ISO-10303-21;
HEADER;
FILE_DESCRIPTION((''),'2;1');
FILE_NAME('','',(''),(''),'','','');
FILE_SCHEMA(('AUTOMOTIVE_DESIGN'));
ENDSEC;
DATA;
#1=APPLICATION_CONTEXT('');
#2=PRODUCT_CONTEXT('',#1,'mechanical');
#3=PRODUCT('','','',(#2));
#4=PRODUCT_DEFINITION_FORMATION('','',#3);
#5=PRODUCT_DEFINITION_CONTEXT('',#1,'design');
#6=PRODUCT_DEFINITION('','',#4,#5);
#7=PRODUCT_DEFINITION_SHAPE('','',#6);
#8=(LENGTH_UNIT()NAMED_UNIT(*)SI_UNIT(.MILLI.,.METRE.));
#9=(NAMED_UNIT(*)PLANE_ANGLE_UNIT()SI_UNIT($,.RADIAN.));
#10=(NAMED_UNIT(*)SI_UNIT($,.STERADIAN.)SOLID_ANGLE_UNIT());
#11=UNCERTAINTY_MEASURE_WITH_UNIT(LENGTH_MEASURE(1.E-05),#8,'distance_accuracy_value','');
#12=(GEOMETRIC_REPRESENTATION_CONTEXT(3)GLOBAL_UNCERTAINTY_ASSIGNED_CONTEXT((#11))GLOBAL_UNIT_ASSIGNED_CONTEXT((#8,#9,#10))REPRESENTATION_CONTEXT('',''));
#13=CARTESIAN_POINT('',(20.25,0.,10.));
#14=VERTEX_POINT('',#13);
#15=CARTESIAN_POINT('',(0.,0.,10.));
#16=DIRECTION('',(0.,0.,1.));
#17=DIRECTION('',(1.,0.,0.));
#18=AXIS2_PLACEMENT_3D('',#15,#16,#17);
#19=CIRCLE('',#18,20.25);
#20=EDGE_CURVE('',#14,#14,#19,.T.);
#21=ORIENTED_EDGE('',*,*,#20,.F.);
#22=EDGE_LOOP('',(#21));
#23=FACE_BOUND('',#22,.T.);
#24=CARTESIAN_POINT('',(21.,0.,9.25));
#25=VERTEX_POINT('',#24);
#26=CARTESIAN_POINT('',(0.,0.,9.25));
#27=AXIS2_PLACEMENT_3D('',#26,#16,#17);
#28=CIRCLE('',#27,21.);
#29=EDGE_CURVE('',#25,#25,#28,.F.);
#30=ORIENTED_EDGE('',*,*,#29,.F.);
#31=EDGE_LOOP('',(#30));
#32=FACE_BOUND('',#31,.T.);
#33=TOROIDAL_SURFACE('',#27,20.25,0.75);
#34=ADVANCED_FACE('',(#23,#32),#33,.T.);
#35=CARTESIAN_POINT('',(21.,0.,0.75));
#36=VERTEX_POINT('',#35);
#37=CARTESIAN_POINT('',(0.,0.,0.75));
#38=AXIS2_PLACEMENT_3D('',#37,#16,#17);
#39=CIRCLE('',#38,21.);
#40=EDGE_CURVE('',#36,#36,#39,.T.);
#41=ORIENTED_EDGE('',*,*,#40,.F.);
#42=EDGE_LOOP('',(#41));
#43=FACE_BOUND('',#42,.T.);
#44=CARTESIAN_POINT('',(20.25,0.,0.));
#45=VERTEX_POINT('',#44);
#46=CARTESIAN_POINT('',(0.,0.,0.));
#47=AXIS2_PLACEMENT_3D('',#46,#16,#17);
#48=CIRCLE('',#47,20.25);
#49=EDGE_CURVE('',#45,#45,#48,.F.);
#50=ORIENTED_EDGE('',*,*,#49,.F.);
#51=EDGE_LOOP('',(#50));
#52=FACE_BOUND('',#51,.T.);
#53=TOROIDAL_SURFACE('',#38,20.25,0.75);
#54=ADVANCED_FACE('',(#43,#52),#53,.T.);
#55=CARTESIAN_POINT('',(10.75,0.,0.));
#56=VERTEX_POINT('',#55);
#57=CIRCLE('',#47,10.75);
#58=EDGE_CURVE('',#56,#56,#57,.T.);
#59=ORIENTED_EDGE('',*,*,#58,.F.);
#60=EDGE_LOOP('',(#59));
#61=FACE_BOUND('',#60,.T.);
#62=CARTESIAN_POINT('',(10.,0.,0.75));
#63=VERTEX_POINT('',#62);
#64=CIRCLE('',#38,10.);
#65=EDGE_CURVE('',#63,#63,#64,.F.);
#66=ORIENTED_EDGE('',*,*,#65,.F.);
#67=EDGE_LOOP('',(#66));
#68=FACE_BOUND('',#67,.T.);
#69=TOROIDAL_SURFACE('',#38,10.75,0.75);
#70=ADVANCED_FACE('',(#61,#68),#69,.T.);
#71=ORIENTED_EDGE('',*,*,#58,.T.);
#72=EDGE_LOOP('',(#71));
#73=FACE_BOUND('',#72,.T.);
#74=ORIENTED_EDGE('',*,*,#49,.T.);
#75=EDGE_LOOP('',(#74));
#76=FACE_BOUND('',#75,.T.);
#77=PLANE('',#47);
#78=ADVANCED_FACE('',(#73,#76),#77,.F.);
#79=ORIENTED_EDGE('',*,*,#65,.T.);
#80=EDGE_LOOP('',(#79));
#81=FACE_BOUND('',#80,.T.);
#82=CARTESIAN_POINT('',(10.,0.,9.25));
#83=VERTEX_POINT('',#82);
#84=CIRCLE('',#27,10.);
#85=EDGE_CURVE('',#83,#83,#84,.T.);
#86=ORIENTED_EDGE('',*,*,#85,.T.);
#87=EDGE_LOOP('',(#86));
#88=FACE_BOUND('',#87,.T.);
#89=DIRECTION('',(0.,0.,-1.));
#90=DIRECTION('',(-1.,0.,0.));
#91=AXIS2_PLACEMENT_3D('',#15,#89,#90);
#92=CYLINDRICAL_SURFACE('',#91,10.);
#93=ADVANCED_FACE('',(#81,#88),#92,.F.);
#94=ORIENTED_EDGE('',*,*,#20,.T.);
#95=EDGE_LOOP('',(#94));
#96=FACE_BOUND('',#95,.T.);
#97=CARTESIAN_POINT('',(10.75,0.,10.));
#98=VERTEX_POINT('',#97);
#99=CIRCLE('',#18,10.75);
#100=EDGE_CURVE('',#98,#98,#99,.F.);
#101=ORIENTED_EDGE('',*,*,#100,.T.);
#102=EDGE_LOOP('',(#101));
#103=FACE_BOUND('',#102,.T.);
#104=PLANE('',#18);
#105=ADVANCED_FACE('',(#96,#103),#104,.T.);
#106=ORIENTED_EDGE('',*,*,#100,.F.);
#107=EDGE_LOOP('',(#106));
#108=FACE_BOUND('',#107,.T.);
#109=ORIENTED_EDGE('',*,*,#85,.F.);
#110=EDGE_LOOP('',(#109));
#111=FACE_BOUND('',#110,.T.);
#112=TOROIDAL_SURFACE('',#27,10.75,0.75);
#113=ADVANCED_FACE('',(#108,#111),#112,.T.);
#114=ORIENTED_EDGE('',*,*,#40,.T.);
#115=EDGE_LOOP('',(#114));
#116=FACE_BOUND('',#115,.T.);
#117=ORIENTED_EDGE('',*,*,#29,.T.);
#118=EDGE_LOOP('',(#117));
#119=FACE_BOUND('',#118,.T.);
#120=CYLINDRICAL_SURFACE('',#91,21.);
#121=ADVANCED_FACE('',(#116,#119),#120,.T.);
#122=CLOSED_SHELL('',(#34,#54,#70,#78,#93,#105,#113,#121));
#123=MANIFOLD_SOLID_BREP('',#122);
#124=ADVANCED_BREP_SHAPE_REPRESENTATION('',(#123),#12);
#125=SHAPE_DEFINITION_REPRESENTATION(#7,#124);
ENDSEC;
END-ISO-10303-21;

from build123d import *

# Parameters (mm, degrees)
ESQUISSE1_R        = 21
ESQUISSE1_R_2      = 10
BOSS_EXTRU_1_DEPTH = 10
CONG_1_R           = 0.75


with BuildPart() as part:
    # Esquisse1 → Boss.-Extru.1 (new body)
    with BuildSketch(Plane.XY):
        Circle(ESQUISSE1_R)
        Circle(ESQUISSE1_R_2, mode=Mode.SUBTRACT)
    extrude(amount=BOSS_EXTRU_1_DEPTH)

    # Congé1
    cong_1_edges = [part.edges().sort_by_distance(p)[0] for p in [
        (-21, 0, 0),
        (-21, 0, 10),
        (-10, 0, 0),
        (-10, 0, 10),
    ]]
    fillet(cong_1_edges, radius=CONG_1_R)


solid = part.part
